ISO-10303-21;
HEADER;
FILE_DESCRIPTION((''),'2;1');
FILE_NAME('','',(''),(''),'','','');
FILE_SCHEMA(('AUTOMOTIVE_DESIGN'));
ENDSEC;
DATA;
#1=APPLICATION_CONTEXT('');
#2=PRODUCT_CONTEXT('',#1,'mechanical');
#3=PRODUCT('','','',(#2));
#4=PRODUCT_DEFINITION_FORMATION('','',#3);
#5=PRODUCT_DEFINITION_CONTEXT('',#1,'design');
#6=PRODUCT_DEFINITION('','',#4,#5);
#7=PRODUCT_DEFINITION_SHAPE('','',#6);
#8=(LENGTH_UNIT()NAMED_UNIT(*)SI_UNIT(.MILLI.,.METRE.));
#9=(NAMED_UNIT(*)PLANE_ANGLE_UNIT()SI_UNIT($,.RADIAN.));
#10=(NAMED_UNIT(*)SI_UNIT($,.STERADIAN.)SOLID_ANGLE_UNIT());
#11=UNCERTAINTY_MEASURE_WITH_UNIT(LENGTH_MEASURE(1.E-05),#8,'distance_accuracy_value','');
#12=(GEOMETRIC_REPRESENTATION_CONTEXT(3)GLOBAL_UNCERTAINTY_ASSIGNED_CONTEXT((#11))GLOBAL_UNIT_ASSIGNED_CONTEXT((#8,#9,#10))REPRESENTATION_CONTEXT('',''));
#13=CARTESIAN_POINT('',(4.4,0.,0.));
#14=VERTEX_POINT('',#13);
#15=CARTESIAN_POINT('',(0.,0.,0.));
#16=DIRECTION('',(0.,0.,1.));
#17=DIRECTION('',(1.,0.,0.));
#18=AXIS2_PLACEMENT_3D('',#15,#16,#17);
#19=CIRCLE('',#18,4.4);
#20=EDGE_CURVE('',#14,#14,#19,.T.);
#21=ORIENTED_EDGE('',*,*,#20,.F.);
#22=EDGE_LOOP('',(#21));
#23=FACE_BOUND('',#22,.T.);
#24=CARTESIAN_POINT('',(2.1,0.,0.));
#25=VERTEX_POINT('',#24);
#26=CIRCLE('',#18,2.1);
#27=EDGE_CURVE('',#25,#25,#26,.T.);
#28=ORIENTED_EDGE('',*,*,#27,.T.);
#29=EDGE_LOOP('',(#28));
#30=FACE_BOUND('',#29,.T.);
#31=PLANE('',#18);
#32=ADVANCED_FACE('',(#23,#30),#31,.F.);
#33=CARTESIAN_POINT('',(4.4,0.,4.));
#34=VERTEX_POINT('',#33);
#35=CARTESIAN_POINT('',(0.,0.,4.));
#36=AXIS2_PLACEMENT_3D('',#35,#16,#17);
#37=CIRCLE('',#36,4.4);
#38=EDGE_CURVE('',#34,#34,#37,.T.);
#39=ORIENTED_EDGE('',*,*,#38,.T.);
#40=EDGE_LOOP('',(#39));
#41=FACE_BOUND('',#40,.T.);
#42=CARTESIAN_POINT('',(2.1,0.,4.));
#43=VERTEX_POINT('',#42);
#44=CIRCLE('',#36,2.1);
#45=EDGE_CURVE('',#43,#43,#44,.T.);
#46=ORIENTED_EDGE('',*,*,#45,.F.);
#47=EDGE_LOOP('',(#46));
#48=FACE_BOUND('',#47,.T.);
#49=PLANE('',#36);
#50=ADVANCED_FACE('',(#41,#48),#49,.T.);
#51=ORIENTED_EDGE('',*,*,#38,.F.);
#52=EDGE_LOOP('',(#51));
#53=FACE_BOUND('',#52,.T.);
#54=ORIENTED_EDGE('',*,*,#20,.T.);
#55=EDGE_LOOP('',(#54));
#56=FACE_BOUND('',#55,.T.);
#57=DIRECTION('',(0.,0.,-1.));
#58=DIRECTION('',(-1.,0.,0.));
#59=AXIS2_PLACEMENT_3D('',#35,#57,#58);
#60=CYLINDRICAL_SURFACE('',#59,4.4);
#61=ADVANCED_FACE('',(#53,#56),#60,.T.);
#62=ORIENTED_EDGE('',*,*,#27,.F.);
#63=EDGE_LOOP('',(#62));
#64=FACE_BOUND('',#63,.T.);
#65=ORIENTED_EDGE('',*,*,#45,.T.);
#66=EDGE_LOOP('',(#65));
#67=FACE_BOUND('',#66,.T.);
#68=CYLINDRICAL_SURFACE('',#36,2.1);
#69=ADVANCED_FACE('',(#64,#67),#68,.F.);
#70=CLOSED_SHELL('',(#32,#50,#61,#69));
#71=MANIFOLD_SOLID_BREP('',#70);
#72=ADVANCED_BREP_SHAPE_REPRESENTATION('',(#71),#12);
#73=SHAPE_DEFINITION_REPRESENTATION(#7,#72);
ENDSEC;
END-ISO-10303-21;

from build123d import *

# Parameters (mm, degrees)
SKIZZE1_R                       = 4.4
AUFSATZ_LINEAR_AUSTRAGEN1_DEPTH = 4
M5_GEWINDEBOHRUNG1_D            = 4.2


with BuildPart() as part:
    # Skizze1 → Aufsatz-Linear austragen1 (new body)
    with BuildSketch(Plane.XY):
        Circle(SKIZZE1_R)
    extrude(amount=AUFSATZ_LINEAR_AUSTRAGEN1_DEPTH)

    # M5 Gewindebohrung1 (through all)
    with Locations(Plane.XY.offset(4)):
        with Locations((0, 0)):
            Hole(M5_GEWINDEBOHRUNG1_D / 2)


solid = part.part
